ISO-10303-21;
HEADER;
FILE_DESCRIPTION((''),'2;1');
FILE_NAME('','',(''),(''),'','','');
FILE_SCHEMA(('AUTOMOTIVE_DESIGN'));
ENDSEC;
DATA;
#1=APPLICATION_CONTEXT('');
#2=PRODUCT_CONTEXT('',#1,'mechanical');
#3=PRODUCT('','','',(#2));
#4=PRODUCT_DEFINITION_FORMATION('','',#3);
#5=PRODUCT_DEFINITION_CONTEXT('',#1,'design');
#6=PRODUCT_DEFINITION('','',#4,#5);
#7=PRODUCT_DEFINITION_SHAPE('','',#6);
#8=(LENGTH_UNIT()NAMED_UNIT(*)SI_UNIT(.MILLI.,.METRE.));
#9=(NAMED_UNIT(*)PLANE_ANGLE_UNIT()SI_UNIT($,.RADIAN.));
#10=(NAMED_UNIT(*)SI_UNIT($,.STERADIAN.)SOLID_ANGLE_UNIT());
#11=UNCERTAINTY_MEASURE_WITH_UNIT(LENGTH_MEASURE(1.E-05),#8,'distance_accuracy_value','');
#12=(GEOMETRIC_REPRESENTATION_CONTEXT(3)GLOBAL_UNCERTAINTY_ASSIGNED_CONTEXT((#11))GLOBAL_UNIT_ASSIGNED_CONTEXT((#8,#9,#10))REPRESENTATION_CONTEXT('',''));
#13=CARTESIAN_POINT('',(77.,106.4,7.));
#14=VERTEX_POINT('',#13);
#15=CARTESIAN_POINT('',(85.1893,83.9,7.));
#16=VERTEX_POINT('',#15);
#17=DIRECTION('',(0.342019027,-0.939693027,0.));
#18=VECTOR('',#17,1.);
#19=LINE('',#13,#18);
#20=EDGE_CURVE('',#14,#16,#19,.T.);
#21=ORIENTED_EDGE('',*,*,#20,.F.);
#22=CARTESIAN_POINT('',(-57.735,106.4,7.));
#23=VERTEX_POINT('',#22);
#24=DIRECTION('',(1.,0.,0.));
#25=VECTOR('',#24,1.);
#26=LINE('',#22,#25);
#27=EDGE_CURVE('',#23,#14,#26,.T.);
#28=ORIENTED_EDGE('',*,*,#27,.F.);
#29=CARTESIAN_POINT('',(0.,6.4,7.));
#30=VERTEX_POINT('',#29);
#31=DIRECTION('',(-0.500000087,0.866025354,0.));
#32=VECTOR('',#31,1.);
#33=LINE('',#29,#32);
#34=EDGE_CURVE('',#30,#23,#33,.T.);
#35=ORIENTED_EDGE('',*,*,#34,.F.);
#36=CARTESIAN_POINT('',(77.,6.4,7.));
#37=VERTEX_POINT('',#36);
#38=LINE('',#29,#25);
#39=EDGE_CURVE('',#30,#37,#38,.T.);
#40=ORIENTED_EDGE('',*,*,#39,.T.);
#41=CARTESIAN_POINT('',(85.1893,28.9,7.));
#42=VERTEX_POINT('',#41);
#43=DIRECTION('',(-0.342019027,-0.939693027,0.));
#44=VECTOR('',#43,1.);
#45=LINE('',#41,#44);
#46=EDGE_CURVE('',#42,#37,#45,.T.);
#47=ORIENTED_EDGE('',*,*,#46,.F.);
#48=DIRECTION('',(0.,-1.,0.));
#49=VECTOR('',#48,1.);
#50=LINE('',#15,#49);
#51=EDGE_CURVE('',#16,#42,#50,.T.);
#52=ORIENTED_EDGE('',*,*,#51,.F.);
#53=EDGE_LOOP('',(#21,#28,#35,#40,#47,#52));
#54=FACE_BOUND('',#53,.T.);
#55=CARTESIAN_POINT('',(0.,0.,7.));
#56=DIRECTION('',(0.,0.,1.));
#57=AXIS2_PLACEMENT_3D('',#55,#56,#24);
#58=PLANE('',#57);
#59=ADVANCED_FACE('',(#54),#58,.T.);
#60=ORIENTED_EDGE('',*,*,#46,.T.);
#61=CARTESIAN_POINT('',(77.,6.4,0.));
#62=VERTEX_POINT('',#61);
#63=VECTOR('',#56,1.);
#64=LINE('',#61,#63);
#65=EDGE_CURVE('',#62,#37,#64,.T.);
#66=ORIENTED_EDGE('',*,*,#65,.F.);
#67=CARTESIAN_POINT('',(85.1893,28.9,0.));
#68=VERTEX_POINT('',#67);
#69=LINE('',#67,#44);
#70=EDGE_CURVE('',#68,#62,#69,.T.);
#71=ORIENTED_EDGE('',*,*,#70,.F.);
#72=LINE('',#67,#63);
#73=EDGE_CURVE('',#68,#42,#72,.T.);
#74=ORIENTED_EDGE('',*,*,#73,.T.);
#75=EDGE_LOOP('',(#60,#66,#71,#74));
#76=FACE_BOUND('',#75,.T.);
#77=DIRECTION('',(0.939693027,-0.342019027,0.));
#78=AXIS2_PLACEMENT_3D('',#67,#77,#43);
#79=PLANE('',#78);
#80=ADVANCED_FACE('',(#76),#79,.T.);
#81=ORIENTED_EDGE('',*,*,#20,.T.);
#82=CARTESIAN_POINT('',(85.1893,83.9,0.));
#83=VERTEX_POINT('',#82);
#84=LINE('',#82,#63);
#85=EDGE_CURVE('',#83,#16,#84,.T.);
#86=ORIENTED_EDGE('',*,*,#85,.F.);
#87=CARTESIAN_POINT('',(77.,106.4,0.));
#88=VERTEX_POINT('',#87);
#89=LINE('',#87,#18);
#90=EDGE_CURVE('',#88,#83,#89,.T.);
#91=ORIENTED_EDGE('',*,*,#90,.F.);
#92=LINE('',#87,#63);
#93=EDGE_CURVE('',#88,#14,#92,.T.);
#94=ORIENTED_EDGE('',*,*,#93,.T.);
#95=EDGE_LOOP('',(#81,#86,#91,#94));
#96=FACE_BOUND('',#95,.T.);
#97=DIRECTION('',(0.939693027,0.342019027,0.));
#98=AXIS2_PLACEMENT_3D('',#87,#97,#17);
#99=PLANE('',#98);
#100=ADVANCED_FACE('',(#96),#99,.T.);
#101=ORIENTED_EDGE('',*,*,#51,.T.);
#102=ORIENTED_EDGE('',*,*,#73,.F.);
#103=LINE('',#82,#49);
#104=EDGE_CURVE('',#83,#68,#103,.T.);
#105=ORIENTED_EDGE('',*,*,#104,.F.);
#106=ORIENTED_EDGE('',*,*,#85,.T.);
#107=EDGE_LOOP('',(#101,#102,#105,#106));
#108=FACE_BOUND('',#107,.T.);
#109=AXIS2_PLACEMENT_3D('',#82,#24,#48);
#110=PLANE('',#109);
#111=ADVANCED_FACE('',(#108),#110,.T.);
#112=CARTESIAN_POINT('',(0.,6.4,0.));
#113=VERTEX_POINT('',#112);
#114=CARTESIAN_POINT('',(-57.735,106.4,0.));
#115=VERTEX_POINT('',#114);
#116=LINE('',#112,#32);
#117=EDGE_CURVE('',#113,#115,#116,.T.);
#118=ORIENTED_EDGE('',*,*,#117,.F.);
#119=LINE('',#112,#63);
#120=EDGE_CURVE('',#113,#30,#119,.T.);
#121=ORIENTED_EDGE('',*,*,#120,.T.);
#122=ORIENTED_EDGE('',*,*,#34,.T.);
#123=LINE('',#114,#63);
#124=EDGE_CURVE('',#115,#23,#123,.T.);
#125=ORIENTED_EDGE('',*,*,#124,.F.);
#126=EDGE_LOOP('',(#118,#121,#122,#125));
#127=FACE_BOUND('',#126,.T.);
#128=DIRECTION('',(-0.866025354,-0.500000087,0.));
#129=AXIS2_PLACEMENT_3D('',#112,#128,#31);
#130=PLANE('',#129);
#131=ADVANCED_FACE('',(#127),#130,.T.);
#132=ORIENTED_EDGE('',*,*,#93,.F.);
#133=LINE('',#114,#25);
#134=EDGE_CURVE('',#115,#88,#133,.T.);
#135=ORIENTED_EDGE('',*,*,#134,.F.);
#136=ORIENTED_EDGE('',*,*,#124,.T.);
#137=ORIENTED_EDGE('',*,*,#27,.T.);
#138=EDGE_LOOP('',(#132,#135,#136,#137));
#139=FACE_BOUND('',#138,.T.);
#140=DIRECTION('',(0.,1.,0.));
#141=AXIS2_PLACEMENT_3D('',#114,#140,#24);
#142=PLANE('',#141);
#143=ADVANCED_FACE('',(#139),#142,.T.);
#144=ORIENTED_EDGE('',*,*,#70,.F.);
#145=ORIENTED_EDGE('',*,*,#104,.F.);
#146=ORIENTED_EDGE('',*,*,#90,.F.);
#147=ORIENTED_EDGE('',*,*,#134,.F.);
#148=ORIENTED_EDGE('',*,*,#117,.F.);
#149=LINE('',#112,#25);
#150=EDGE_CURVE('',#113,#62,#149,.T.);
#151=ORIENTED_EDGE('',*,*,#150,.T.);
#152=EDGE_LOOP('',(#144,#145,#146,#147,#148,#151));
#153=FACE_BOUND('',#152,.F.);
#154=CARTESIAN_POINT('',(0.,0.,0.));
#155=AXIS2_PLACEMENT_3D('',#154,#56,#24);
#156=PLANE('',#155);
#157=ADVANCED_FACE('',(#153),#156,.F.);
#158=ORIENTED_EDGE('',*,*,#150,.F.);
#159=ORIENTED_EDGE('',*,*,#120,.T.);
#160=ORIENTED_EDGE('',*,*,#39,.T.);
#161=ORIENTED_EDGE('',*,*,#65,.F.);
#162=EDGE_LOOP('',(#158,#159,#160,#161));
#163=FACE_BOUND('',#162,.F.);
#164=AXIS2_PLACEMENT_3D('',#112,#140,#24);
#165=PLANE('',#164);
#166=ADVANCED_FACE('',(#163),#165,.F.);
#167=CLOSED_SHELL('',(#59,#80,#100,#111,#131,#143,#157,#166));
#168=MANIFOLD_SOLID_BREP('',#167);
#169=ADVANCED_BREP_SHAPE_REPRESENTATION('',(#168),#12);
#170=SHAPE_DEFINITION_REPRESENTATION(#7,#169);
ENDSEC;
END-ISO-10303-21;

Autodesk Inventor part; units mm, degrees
ref_plane "YZ Plane" through (0, 0, 0) normal (1, 0, 0) x (0, 1, 0)
ref_plane "XZ Plane" through (0, 0, 0) normal (0, 1, 0) x (-1, 0, 0)
ref_plane "XY Plane" through (0, 0, 0) normal (0, 0, 1) x (1, 0, 0)
sketch "Эскиз1" plane through (0, 0, 0) normal (0, 0, 1) x (1, 0, 0)
  line L0 (0, 0) -> (247, 0)
  line L1 (247, 0) -> (247, 6.4)
  line L2 (0, 6.4) -> (247, 6.4)
  line L3 (0, 0) -> (0, 6.4)
  line L4 (85.1893, 28.9) -> (77, 6.4)
  line L5 (85.1893, 83.9) -> (85.1893, 28.9)
  line L6 (77, 106.4) -> (85.1893, 83.9)
  line L7 (238.8107, 106.4) -> (77, 106.4)
  line L8 (0, 6.4) -> (-61.5, 112.9211)
  line L9 (-61.5, 112.9211) -> (-166.5, 112.9211)
  line L10 (77, 6.4) -> (0, 6.4)
  line L11 (-57.735, 106.4) -> (77, 106.4)
  line L12 (85.1893, 83.9) -> (85.1893, 28.9)
  line L13 (77, 106.4) -> (85.1893, 83.9)
  line L14 (85.1893, 28.9) -> (77, 6.4)
  line L15 (0, 6.4) -> (-57.735, 106.4)
extrude "Выдавливание1" add sketch "Эскиз1" along normal blind 7 contours L8 L11 L6 L5 L4 L2
